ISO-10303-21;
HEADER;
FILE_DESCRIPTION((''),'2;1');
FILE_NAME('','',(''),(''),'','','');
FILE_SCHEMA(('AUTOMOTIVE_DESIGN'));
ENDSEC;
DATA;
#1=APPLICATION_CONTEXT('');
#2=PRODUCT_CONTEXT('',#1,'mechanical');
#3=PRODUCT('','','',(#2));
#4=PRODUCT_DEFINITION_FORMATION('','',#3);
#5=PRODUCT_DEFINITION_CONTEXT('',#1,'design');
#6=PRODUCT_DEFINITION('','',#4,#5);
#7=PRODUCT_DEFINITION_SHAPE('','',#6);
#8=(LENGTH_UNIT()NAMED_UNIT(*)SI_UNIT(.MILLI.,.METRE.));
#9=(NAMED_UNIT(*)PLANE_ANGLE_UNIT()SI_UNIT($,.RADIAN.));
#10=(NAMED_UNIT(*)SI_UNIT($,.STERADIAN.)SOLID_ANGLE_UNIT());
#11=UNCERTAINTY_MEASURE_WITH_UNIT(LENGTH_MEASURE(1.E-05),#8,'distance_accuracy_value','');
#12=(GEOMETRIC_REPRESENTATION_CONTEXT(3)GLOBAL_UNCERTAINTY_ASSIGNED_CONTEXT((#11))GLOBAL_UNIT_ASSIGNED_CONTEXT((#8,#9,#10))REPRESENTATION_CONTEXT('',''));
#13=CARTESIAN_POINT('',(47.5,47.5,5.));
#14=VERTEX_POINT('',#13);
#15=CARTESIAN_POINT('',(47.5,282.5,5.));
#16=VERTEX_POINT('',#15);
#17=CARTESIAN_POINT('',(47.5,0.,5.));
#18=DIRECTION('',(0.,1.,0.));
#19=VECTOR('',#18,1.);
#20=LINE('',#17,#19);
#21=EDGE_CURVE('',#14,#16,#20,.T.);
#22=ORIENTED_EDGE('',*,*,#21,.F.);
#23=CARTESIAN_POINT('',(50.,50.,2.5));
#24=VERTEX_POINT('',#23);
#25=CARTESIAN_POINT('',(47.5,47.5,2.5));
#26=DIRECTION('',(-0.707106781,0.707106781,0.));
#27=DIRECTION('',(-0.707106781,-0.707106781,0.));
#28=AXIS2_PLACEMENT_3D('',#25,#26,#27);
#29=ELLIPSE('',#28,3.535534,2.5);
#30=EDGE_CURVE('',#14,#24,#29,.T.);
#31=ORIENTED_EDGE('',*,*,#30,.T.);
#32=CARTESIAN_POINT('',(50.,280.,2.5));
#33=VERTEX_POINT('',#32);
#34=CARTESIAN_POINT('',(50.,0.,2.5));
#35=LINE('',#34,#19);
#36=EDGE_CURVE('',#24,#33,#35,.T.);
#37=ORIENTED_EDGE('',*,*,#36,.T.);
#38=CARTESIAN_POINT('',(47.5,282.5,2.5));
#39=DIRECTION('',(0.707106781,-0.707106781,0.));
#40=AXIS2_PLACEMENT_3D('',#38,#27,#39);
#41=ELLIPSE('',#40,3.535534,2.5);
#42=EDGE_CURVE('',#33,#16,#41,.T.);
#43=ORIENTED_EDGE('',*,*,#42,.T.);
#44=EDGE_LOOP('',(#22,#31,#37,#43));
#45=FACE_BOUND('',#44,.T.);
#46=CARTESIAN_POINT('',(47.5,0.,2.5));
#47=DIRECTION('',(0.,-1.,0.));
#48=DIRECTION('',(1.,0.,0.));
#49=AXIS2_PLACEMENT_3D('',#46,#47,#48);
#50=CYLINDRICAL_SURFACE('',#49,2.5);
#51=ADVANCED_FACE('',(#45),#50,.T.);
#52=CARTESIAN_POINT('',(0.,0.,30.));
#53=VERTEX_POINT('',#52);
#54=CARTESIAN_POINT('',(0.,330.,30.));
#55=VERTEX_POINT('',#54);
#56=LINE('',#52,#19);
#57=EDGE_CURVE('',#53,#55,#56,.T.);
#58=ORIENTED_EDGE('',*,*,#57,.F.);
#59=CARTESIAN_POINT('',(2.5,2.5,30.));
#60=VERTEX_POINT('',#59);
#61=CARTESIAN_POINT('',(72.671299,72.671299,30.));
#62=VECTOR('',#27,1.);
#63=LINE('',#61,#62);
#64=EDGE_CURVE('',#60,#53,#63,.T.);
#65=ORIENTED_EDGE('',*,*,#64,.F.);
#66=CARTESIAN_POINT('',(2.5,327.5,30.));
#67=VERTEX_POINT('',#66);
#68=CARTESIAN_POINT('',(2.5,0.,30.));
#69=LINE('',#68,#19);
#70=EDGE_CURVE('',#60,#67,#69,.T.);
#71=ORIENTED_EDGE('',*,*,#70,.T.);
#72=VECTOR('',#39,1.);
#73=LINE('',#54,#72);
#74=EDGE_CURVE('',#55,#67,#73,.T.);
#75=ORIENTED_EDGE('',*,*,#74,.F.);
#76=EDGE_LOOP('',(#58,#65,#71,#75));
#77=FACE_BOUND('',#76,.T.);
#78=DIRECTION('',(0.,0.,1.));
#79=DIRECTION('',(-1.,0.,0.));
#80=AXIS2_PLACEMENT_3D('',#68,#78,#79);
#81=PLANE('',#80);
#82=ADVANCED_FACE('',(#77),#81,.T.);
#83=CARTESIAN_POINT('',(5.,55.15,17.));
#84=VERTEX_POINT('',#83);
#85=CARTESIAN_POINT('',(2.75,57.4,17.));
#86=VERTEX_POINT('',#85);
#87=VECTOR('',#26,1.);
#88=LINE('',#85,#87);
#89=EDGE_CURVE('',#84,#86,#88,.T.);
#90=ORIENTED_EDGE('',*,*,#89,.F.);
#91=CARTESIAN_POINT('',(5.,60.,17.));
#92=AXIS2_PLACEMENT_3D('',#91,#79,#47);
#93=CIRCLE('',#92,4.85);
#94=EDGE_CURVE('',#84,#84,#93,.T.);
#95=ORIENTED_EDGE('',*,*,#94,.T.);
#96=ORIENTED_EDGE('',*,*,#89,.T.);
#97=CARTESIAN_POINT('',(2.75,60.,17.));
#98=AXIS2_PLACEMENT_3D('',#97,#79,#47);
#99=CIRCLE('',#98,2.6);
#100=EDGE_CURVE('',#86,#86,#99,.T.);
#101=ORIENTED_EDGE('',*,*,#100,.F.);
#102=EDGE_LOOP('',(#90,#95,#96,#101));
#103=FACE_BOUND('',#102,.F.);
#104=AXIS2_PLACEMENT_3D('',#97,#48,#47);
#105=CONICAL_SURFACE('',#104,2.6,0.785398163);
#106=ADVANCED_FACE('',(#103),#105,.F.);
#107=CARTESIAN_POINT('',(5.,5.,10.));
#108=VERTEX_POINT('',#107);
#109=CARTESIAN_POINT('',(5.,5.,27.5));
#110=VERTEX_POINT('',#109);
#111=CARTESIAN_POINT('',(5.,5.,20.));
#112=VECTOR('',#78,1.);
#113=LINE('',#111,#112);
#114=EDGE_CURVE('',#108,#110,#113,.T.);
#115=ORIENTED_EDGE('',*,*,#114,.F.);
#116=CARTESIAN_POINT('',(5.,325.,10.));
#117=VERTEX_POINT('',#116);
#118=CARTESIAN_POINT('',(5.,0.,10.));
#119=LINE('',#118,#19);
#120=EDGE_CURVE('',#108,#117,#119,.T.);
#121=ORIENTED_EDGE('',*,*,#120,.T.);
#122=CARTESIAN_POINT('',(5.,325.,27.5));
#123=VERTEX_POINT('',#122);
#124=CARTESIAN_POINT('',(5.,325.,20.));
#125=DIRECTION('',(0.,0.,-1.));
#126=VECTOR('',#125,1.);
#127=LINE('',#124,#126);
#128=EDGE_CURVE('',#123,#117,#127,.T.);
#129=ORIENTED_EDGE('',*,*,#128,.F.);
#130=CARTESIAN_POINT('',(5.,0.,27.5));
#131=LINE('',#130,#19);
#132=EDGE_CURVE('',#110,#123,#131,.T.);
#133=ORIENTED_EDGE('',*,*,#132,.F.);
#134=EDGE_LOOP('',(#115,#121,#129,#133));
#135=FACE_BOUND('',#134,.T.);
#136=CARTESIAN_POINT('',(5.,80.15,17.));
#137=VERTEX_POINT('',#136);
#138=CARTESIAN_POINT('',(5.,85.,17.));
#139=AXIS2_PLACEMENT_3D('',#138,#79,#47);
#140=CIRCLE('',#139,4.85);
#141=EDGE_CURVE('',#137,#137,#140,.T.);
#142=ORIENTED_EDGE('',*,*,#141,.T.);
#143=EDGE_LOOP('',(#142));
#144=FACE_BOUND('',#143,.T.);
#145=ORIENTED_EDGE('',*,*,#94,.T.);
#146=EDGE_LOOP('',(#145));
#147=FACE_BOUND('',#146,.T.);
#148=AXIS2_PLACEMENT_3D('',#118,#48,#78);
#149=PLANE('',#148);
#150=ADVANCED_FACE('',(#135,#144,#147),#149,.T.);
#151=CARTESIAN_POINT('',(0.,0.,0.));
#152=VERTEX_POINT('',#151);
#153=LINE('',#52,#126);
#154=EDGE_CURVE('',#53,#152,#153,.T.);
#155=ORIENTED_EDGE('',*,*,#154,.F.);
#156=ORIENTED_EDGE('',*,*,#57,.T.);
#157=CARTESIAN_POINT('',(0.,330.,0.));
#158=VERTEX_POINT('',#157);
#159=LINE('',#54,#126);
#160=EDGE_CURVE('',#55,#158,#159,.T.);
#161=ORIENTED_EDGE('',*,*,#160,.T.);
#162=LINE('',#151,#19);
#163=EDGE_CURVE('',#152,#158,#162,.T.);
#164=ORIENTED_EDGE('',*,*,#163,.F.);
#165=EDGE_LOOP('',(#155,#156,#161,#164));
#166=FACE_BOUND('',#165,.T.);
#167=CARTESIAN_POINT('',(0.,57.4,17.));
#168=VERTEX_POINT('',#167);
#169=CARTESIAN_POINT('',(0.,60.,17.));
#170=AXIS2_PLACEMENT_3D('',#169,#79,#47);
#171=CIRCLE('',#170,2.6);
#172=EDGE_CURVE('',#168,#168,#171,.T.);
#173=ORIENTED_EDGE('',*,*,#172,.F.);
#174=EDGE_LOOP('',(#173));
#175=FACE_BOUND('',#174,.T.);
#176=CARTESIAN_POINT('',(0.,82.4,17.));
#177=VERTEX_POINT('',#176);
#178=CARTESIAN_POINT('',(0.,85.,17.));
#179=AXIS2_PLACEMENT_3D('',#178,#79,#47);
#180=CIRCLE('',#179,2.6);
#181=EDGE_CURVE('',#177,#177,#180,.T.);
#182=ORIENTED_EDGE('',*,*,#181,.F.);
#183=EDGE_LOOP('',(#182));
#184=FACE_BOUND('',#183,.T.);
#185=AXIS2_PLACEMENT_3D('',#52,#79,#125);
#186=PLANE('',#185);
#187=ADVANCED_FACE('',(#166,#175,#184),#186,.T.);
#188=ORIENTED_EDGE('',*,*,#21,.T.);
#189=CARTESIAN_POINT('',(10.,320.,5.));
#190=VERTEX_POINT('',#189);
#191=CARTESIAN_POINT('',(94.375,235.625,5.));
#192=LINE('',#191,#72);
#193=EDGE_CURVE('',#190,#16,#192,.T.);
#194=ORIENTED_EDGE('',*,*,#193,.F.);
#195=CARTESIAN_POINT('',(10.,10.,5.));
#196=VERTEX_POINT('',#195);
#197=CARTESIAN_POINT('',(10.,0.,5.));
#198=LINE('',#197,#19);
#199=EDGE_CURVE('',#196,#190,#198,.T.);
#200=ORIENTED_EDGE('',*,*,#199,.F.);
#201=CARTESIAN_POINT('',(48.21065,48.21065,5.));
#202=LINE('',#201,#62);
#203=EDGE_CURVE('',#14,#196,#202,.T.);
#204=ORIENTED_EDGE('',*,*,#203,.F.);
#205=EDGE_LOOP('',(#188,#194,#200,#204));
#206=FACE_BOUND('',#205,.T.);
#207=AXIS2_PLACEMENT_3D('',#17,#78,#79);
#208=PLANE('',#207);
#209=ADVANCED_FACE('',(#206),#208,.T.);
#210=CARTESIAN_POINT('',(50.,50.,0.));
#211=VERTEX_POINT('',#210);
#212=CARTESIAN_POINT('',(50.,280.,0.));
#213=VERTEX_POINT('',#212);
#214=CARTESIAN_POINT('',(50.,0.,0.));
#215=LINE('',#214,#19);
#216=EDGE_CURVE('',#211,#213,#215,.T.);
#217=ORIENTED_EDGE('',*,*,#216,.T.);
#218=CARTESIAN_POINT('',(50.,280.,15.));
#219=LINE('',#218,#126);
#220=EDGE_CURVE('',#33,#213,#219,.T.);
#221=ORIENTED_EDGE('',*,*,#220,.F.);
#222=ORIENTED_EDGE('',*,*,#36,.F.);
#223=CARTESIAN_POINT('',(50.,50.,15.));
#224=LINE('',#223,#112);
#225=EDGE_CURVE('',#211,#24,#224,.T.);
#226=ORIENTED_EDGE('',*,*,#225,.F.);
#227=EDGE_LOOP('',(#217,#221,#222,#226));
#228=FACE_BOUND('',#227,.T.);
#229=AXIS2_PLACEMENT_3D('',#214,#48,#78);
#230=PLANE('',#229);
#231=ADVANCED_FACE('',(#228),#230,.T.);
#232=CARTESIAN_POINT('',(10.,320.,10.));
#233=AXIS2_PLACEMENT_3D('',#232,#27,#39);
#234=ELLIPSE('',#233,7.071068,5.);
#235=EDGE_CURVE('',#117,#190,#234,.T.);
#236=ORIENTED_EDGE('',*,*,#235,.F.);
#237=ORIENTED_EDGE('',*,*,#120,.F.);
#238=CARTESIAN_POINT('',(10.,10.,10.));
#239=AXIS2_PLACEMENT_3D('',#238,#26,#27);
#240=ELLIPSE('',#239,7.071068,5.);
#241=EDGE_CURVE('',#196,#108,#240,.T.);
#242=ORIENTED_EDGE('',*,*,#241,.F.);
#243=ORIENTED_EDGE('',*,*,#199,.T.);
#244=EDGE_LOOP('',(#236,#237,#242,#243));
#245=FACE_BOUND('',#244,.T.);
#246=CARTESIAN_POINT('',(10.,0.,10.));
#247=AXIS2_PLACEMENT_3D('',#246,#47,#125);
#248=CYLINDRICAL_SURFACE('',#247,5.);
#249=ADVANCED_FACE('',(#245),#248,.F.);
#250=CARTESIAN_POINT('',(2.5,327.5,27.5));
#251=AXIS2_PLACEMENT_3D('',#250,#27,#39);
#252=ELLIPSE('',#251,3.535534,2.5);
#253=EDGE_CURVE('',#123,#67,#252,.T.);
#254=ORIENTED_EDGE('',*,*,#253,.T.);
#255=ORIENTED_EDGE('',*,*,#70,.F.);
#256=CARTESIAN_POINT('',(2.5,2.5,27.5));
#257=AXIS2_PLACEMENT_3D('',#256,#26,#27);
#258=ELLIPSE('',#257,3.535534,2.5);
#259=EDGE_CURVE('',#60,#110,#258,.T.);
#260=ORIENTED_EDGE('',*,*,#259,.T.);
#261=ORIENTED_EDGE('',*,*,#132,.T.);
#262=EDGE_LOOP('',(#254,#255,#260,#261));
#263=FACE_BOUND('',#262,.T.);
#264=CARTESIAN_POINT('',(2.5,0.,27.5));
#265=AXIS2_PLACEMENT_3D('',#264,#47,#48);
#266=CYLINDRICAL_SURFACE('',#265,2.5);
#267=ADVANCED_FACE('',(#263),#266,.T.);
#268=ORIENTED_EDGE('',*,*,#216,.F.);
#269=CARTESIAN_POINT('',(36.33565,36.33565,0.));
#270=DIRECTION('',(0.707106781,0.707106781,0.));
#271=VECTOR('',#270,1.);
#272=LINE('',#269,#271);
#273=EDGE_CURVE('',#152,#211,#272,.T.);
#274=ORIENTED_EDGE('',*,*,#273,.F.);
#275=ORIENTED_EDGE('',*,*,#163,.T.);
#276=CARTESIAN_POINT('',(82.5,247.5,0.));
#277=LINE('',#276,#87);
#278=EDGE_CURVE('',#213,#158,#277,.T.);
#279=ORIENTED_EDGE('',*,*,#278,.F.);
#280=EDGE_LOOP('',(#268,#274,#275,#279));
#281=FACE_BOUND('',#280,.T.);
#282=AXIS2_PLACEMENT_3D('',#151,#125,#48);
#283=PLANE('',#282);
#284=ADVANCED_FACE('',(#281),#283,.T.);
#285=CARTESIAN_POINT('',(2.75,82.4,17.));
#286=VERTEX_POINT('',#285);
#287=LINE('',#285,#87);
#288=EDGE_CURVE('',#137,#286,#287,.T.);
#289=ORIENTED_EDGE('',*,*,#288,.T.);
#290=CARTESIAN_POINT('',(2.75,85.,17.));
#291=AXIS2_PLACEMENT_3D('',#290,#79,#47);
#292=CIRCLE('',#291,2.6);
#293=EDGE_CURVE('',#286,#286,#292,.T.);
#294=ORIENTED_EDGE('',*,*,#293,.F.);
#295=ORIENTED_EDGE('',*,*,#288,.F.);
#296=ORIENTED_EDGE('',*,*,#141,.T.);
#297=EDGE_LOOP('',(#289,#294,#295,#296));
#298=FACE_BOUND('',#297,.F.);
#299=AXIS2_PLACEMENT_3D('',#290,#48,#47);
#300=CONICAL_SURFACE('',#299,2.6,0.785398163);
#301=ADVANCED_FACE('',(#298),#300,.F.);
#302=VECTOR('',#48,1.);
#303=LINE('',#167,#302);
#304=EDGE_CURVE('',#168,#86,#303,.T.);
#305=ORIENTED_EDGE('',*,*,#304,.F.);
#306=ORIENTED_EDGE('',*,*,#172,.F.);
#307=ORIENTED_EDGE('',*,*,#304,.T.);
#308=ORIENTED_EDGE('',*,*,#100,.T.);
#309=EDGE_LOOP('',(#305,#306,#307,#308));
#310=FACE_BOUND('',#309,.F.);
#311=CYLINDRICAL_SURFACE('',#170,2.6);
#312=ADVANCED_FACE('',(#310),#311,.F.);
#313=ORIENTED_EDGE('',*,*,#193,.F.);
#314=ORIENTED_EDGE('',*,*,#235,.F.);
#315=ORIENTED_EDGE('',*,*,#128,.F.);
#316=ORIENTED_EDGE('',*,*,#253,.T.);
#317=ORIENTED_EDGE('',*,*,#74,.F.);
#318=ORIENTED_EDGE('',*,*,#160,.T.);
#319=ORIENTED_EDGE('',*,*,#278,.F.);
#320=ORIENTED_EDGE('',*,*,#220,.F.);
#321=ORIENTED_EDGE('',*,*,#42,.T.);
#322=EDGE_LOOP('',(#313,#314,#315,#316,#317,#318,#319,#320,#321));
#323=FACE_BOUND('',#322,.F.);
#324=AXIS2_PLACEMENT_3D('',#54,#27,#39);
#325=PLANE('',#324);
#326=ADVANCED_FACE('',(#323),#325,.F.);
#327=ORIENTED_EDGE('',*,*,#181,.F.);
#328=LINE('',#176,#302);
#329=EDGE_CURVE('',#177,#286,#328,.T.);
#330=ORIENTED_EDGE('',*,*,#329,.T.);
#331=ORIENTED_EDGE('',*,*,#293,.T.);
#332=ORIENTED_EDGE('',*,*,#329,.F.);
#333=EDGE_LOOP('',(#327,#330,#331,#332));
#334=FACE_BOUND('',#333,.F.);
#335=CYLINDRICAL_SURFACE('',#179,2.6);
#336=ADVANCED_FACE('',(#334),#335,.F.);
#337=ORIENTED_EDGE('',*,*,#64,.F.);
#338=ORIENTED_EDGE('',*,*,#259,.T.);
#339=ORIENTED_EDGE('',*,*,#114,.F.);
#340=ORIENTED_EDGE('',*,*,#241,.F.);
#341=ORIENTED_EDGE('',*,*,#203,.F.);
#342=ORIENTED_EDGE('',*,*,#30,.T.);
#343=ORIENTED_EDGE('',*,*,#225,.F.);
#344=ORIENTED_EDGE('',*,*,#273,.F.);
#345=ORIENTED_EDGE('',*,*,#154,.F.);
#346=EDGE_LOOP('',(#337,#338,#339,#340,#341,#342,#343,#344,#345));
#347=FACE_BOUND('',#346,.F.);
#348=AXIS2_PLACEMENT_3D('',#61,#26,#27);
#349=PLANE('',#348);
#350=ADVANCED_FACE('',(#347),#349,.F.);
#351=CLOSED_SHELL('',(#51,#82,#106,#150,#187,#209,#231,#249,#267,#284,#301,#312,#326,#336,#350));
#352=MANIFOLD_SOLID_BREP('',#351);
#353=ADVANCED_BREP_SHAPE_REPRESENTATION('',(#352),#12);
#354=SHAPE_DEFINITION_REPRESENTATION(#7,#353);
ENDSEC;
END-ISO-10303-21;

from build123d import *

# Parameters (mm, degrees)
F1_DEPTH = 330
F3_DEPTH = 30.001
F4_R     = 2.6
F5_DEPTH = 50.001
F6_SIZE  = 2.25


with BuildPart() as f1:
    # F0 (on Front) → F1 (new body)
    with BuildSketch(Plane.XZ):
        with BuildLine():
            Line((0, 5), (0, 0))
            Line((0, 0), (5, 0))
            Line((5, 0), (50, 0))
            Line((50, 0), (50, 2.5))
            ThreePointArc((50, 2.5), (49.267766953, 4.267766953), (47.5, 5))
            Line((47.5, 5), (10, 5))
            ThreePointArc((10, 5), (6.4644660941, 6.4644660941), (5, 10))
            Line((5, 10), (5, 27.5))
            ThreePointArc((5, 27.5), (4.267766953, 29.267766953), (2.5, 30))
            Line((2.5, 30), (0, 30))
            Line((0, 30), (0, 5))
        make_face()
    extrude(amount=-F1_DEPTH)

    # F2 (on face) → F3 (cut, through all)
    with BuildSketch(Plane.XY.offset(30)):
        Polygon((2.5, 330), (2.5, 327.5), (72.6712993005, 257.3287006995), (72.6712993005, 330), align=None)
        Polygon((72.6712993005, 72.6712993005), (2.5, 2.5), (2.5, 0), (72.6712993005, 0), align=None)
        Polygon((2.5, 330), (0, 330), (2.5, 327.5), align=None)
        Polygon((2.5, 2.5), (0, 0), (2.5, 0), align=None)
    extrude(amount=-F3_DEPTH, mode=Mode.SUBTRACT)

    # F4 (on face) → F5 (cut, through all)
    with BuildSketch(Plane(origin=(0, 0, 0), x_dir=(0, -1, 0), z_dir=(-1, 0, 0))):
        with Locations((-85, 17)):
            Circle(F4_R)
        with Locations((-60, 17)):
            Circle(F4_R)
    extrude(amount=-F5_DEPTH, mode=Mode.SUBTRACT)

    # F6
    f6_edges = [f1.edges().sort_by_distance(p)[0] for p in [
        (5, 62.6, 17),
        (5, 87.6, 17),
    ]]
    chamfer(f6_edges, length=F6_SIZE)


solid = f1.part
